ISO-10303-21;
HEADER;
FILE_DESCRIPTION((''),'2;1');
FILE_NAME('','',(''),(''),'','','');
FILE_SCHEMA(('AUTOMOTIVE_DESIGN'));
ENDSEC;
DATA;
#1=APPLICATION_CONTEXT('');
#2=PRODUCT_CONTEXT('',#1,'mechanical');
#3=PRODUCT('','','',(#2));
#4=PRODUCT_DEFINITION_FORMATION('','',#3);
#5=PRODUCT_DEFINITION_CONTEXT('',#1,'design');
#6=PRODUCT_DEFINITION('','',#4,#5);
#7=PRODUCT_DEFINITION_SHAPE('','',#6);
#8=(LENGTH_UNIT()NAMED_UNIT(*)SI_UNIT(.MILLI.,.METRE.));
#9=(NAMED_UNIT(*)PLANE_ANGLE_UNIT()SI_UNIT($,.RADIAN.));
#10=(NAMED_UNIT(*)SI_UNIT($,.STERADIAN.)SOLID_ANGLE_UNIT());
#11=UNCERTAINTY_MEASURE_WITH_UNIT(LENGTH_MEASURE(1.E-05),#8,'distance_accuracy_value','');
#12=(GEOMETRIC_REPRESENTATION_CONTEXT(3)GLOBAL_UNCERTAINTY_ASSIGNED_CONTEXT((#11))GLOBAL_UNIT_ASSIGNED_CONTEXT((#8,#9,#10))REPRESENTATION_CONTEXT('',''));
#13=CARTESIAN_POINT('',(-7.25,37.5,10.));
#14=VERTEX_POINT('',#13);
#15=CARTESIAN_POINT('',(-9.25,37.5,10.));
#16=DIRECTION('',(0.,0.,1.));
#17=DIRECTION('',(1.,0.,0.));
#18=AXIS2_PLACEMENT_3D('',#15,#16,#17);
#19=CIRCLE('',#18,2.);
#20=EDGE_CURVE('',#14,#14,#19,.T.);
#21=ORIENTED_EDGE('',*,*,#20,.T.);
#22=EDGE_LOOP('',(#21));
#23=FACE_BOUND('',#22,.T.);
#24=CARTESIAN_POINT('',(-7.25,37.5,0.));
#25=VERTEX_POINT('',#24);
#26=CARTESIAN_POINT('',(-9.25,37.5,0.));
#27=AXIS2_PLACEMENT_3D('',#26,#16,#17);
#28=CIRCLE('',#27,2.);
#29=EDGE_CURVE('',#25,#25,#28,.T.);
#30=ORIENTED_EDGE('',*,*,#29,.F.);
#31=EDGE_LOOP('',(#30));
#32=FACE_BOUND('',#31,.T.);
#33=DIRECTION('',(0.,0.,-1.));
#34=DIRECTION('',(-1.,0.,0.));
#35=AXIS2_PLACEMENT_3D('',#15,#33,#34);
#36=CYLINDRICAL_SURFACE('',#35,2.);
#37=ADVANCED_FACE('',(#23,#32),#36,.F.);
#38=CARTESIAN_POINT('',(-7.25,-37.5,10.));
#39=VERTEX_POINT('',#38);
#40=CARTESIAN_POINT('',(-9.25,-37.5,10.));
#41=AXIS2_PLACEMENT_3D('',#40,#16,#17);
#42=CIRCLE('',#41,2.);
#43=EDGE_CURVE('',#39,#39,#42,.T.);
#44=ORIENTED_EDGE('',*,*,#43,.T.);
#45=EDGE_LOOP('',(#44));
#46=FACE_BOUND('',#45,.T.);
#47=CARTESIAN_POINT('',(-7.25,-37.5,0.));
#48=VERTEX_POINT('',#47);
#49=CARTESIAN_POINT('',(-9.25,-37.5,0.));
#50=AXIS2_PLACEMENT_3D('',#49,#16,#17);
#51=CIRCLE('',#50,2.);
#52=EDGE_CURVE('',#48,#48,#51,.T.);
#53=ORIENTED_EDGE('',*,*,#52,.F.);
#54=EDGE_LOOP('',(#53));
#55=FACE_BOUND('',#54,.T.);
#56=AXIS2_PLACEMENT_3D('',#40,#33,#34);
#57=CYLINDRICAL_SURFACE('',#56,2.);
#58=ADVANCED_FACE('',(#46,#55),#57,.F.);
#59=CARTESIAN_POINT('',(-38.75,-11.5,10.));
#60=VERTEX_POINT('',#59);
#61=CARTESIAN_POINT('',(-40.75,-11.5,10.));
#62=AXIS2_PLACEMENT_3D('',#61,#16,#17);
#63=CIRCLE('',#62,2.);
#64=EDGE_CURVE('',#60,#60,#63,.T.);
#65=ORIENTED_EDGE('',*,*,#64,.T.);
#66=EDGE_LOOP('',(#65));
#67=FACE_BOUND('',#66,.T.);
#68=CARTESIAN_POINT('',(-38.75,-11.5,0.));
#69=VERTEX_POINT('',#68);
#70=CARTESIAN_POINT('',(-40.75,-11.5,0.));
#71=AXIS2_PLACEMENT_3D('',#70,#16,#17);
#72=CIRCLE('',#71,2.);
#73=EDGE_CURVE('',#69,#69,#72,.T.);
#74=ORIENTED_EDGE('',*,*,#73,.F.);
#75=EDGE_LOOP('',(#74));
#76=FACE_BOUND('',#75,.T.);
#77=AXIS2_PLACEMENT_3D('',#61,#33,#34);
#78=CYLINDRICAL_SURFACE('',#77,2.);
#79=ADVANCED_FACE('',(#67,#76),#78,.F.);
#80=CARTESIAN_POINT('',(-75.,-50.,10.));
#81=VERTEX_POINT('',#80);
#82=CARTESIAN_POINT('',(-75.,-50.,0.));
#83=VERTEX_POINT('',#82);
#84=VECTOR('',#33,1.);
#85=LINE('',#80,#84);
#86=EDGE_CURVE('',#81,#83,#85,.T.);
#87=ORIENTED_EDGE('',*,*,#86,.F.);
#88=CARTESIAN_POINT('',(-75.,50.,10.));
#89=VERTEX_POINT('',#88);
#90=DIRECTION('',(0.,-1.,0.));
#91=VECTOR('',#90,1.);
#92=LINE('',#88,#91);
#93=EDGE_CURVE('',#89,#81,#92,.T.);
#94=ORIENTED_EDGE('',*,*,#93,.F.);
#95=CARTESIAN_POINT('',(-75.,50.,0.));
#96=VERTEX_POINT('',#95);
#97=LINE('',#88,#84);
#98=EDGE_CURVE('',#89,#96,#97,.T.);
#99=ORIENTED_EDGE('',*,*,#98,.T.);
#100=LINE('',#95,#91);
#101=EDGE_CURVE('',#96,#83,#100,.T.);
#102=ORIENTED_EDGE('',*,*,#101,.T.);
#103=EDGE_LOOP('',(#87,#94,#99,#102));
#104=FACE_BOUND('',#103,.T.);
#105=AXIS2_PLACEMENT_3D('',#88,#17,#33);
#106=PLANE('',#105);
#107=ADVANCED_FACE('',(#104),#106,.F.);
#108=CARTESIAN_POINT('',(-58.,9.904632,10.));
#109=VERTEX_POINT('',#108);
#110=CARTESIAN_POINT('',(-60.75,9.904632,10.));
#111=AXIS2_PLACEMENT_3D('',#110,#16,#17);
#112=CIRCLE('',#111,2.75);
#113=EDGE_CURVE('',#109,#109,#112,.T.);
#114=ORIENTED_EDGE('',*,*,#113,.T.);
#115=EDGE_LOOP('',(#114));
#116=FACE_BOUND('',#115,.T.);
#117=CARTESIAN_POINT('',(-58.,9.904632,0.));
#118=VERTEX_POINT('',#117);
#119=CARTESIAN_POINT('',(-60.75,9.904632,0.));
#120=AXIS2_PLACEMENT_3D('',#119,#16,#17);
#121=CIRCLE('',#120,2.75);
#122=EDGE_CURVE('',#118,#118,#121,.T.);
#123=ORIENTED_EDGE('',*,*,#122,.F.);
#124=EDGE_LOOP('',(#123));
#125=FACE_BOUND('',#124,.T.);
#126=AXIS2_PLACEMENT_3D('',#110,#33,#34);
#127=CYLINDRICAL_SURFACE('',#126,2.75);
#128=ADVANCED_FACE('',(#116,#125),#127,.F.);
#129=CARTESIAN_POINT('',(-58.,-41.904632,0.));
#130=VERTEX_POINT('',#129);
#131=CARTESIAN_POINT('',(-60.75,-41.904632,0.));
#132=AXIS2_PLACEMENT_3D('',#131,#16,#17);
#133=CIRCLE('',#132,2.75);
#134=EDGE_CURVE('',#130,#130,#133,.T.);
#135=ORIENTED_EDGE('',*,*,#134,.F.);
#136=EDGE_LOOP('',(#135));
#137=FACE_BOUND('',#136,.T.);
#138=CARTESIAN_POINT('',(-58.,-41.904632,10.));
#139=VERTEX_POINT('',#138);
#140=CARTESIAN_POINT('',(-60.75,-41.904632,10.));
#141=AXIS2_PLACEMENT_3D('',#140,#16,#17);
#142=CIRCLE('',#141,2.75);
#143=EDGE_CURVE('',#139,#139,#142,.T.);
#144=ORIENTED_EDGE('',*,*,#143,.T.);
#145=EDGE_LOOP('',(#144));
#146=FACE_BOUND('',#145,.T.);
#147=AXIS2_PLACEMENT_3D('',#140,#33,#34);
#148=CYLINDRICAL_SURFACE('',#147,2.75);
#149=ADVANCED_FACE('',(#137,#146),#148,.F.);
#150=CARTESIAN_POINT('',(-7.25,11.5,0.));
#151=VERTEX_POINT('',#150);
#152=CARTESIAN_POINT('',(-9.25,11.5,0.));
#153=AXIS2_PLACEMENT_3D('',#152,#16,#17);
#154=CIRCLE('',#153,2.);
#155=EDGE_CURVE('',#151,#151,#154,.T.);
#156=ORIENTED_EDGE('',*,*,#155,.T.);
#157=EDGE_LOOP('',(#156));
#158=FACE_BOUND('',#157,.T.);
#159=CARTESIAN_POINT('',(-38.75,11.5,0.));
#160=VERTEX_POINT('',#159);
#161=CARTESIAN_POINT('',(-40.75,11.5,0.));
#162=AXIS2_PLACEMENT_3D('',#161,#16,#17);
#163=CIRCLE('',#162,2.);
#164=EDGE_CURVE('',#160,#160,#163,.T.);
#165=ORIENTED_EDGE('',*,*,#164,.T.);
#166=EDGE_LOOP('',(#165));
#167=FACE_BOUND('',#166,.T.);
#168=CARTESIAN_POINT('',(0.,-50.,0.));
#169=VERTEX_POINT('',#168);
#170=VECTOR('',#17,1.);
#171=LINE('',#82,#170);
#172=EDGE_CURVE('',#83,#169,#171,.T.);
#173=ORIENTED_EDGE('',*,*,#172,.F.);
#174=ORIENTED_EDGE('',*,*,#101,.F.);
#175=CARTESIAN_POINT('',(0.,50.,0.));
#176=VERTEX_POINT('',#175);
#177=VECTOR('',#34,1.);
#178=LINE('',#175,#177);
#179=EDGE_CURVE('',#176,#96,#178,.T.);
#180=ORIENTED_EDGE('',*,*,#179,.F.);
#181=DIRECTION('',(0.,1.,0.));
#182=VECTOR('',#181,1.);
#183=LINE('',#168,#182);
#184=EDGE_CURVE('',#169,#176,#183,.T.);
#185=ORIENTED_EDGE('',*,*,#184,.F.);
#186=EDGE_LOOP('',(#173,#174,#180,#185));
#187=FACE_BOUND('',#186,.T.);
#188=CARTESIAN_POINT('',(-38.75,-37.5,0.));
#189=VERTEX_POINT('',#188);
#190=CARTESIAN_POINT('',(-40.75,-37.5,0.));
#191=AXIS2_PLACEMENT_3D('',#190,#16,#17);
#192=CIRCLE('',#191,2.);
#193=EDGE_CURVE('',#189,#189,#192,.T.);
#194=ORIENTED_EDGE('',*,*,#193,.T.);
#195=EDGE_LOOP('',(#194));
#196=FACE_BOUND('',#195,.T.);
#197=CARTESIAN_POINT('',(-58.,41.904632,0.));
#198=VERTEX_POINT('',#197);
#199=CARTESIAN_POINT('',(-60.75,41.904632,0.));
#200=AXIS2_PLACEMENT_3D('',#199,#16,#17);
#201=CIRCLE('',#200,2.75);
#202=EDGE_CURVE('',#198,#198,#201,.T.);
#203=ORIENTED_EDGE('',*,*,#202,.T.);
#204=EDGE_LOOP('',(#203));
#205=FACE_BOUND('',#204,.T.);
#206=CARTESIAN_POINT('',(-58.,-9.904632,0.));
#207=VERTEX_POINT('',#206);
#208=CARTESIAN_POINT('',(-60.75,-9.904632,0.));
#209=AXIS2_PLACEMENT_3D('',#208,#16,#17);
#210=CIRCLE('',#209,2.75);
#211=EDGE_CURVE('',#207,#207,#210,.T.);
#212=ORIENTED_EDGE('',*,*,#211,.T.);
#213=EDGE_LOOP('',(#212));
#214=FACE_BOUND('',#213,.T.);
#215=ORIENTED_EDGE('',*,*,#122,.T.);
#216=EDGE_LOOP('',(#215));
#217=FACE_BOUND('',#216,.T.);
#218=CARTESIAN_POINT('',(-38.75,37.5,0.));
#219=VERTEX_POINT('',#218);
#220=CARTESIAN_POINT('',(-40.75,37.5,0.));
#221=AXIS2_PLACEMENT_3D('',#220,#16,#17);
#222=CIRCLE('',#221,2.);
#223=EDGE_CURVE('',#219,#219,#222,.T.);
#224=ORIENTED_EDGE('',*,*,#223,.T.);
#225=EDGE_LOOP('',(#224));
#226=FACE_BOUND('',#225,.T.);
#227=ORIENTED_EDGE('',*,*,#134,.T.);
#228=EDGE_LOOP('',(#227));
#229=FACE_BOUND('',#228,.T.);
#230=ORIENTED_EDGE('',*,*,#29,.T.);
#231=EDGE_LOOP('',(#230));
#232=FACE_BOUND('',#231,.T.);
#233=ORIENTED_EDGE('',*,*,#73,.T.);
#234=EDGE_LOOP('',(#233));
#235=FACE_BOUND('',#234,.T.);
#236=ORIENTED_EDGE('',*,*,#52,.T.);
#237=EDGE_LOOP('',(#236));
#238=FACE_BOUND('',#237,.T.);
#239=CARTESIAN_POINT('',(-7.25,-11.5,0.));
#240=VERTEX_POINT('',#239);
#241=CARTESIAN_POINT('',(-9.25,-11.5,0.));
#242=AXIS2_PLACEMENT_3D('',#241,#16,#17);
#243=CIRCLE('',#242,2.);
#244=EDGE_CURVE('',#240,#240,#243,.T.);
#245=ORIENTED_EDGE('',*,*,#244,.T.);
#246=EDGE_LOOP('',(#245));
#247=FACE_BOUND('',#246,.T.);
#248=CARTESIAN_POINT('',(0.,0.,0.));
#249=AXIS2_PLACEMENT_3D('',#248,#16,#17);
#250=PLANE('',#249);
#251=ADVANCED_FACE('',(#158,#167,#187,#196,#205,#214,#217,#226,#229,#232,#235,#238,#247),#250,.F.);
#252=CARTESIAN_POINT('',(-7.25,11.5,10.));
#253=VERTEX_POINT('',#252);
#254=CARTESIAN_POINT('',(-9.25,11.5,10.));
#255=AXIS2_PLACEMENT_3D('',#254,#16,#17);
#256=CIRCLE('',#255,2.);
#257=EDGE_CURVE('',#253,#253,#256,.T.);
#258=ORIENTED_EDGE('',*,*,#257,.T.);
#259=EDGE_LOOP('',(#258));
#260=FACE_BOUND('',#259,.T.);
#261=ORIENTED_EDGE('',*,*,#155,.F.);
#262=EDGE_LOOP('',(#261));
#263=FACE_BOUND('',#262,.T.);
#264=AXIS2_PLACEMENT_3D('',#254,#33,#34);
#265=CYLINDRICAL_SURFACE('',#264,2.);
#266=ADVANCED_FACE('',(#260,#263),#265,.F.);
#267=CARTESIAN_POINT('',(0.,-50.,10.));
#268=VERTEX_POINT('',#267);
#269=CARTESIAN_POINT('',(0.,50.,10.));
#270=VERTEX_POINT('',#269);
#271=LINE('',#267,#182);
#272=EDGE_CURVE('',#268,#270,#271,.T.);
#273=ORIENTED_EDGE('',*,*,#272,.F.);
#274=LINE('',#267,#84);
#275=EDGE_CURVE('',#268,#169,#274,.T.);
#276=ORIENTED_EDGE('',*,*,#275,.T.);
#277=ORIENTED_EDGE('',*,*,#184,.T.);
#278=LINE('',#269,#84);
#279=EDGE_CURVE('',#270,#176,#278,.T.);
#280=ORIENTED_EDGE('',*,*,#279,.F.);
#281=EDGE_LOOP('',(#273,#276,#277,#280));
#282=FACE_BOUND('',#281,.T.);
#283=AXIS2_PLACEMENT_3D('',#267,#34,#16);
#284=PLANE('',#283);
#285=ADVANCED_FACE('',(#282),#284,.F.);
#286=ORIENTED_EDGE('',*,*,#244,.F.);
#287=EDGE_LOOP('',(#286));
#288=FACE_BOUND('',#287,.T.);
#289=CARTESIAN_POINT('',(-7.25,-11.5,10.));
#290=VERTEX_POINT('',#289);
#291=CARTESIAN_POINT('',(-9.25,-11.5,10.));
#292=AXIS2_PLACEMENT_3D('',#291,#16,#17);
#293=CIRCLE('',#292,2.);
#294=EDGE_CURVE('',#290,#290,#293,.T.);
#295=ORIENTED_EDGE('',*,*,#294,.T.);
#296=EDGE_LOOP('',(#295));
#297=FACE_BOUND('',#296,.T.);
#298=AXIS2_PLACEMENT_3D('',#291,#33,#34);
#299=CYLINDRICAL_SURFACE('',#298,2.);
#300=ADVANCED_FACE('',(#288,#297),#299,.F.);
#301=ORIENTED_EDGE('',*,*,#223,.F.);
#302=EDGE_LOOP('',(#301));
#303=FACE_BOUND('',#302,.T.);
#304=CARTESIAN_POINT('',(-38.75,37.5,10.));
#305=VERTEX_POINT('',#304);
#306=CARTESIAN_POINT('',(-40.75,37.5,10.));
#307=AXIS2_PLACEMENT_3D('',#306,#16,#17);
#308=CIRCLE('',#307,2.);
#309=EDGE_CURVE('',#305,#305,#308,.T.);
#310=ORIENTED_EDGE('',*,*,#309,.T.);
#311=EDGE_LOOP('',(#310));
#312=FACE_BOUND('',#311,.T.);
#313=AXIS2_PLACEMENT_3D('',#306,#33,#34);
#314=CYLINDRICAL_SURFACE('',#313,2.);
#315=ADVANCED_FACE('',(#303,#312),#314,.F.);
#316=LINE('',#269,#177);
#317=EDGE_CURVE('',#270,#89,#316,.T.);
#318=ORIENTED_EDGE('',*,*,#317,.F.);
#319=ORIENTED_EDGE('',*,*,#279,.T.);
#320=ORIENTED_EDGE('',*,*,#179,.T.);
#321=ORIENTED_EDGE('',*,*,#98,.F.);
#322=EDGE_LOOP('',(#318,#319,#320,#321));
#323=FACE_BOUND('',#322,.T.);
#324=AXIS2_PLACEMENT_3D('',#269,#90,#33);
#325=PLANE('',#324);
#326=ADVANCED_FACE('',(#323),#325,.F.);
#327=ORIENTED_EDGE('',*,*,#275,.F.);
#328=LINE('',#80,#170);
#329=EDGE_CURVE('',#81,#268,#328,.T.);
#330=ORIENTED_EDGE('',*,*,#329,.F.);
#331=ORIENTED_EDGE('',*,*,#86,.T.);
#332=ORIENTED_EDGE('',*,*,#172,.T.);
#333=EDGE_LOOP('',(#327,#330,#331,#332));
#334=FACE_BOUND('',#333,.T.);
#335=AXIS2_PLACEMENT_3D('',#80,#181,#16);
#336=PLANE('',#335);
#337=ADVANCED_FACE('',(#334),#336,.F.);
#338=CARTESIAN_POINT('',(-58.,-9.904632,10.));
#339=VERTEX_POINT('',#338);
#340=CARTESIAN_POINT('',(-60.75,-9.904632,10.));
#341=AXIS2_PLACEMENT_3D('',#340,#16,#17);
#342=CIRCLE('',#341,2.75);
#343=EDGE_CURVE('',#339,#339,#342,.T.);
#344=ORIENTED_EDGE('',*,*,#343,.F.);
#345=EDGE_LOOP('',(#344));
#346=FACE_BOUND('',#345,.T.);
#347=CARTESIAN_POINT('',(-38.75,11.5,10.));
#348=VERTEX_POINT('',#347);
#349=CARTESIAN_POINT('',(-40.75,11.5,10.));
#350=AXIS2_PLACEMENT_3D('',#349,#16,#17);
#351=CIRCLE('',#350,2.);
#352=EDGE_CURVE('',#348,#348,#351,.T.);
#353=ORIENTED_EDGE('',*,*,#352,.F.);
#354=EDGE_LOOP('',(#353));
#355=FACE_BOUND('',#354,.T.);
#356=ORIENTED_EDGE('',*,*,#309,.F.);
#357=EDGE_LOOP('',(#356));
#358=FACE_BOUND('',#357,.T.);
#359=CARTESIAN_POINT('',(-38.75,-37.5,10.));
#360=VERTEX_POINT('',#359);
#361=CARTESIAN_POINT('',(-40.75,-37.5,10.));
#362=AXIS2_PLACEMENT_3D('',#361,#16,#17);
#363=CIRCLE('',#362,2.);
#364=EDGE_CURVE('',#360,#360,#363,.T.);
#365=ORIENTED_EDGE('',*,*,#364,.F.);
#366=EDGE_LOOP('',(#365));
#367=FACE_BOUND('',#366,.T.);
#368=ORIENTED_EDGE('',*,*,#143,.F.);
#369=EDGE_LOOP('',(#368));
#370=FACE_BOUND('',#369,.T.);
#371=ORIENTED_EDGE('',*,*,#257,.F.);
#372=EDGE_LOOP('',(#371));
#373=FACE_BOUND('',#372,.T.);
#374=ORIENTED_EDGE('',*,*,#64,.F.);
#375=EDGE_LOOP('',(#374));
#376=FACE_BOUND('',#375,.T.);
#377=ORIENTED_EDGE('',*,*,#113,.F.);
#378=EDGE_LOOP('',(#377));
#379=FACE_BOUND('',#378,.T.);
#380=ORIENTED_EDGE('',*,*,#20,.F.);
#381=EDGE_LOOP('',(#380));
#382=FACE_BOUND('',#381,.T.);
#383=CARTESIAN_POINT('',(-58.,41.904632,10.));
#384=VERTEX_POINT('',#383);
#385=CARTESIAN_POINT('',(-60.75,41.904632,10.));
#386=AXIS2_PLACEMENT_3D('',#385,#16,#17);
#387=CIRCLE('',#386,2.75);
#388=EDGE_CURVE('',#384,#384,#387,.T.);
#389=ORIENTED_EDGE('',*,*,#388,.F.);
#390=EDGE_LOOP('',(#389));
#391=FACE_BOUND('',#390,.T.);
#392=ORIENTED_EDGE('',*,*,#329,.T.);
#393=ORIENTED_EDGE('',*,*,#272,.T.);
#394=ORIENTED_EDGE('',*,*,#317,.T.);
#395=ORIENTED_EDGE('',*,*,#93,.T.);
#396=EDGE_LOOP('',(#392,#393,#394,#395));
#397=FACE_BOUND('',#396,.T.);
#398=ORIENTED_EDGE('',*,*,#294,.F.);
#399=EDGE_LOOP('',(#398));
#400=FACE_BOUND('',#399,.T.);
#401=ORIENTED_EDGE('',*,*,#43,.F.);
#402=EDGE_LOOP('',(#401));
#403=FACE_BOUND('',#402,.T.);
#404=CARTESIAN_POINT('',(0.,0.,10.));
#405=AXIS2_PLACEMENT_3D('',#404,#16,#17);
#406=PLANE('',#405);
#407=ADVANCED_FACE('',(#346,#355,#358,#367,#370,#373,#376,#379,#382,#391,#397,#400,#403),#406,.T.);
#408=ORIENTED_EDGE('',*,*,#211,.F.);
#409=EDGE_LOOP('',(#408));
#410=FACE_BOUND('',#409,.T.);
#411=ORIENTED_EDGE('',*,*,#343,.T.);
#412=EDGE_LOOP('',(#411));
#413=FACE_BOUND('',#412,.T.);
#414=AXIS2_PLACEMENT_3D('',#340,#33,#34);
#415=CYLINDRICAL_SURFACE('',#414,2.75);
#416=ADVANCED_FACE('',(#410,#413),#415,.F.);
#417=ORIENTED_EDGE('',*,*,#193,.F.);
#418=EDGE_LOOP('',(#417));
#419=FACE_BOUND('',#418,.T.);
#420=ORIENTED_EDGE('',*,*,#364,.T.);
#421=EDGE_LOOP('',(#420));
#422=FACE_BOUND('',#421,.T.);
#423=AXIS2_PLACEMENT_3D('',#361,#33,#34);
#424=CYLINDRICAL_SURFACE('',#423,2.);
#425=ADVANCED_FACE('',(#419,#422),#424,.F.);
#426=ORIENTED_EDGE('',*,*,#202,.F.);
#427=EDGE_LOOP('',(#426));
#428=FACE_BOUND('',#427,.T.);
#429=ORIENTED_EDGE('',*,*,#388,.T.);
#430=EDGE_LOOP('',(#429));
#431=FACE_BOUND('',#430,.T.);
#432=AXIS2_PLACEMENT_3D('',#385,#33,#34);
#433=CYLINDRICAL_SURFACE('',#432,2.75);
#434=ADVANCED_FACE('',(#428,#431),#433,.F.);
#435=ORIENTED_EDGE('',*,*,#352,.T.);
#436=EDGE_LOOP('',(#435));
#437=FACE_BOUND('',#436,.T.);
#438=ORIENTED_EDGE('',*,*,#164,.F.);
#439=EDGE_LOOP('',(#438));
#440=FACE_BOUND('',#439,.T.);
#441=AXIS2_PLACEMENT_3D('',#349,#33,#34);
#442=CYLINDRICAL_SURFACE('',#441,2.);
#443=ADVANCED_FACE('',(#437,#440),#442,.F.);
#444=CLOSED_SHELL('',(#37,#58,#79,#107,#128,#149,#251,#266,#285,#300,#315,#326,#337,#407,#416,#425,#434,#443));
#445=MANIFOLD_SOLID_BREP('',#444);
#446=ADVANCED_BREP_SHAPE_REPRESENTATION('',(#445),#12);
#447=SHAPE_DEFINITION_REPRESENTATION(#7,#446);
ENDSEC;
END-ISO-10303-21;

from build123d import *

# Parameters (mm, degrees)
SKETCH1_W           = 75
SKETCH1_H           = 100
SKETCH1_R           = 2
SKETCH1_R_2         = 2.75
BOSS_EXTRUDE1_DEPTH = 10


with BuildPart() as part:
    # Sketch1 → Boss-Extrude1 (new body)
    with BuildSketch(Plane.XY):
        with Locations((-37.5, 0)):
            Rectangle(SKETCH1_W, SKETCH1_H)
        with Locations((-40.75, 37.5)):
            Circle(SKETCH1_R, mode=Mode.SUBTRACT)
        with Locations((-9.25, 37.5)):
            Circle(SKETCH1_R, mode=Mode.SUBTRACT)
        with Locations((-40.75, 11.5)):
            Circle(SKETCH1_R, mode=Mode.SUBTRACT)
        with Locations((-9.25, 11.5)):
            Circle(SKETCH1_R, mode=Mode.SUBTRACT)
        with Locations((-40.75, -11.5)):
            Circle(SKETCH1_R, mode=Mode.SUBTRACT)
        with Locations((-9.25, -11.5)):
            Circle(SKETCH1_R, mode=Mode.SUBTRACT)
        with Locations((-9.25, -37.5)):
            Circle(SKETCH1_R, mode=Mode.SUBTRACT)
        with Locations((-40.75, -37.5)):
            Circle(SKETCH1_R, mode=Mode.SUBTRACT)
        with Locations((-60.75, 41.904631992)):
            Circle(SKETCH1_R_2, mode=Mode.SUBTRACT)
        with Locations((-60.75, 9.904631992)):
            Circle(SKETCH1_R_2, mode=Mode.SUBTRACT)
        with Locations((-60.75, -9.904631992)):
            Circle(SKETCH1_R_2, mode=Mode.SUBTRACT)
        with Locations((-60.75, -41.904631992)):
            Circle(SKETCH1_R_2, mode=Mode.SUBTRACT)
    extrude(amount=BOSS_EXTRUDE1_DEPTH)


solid = part.part
